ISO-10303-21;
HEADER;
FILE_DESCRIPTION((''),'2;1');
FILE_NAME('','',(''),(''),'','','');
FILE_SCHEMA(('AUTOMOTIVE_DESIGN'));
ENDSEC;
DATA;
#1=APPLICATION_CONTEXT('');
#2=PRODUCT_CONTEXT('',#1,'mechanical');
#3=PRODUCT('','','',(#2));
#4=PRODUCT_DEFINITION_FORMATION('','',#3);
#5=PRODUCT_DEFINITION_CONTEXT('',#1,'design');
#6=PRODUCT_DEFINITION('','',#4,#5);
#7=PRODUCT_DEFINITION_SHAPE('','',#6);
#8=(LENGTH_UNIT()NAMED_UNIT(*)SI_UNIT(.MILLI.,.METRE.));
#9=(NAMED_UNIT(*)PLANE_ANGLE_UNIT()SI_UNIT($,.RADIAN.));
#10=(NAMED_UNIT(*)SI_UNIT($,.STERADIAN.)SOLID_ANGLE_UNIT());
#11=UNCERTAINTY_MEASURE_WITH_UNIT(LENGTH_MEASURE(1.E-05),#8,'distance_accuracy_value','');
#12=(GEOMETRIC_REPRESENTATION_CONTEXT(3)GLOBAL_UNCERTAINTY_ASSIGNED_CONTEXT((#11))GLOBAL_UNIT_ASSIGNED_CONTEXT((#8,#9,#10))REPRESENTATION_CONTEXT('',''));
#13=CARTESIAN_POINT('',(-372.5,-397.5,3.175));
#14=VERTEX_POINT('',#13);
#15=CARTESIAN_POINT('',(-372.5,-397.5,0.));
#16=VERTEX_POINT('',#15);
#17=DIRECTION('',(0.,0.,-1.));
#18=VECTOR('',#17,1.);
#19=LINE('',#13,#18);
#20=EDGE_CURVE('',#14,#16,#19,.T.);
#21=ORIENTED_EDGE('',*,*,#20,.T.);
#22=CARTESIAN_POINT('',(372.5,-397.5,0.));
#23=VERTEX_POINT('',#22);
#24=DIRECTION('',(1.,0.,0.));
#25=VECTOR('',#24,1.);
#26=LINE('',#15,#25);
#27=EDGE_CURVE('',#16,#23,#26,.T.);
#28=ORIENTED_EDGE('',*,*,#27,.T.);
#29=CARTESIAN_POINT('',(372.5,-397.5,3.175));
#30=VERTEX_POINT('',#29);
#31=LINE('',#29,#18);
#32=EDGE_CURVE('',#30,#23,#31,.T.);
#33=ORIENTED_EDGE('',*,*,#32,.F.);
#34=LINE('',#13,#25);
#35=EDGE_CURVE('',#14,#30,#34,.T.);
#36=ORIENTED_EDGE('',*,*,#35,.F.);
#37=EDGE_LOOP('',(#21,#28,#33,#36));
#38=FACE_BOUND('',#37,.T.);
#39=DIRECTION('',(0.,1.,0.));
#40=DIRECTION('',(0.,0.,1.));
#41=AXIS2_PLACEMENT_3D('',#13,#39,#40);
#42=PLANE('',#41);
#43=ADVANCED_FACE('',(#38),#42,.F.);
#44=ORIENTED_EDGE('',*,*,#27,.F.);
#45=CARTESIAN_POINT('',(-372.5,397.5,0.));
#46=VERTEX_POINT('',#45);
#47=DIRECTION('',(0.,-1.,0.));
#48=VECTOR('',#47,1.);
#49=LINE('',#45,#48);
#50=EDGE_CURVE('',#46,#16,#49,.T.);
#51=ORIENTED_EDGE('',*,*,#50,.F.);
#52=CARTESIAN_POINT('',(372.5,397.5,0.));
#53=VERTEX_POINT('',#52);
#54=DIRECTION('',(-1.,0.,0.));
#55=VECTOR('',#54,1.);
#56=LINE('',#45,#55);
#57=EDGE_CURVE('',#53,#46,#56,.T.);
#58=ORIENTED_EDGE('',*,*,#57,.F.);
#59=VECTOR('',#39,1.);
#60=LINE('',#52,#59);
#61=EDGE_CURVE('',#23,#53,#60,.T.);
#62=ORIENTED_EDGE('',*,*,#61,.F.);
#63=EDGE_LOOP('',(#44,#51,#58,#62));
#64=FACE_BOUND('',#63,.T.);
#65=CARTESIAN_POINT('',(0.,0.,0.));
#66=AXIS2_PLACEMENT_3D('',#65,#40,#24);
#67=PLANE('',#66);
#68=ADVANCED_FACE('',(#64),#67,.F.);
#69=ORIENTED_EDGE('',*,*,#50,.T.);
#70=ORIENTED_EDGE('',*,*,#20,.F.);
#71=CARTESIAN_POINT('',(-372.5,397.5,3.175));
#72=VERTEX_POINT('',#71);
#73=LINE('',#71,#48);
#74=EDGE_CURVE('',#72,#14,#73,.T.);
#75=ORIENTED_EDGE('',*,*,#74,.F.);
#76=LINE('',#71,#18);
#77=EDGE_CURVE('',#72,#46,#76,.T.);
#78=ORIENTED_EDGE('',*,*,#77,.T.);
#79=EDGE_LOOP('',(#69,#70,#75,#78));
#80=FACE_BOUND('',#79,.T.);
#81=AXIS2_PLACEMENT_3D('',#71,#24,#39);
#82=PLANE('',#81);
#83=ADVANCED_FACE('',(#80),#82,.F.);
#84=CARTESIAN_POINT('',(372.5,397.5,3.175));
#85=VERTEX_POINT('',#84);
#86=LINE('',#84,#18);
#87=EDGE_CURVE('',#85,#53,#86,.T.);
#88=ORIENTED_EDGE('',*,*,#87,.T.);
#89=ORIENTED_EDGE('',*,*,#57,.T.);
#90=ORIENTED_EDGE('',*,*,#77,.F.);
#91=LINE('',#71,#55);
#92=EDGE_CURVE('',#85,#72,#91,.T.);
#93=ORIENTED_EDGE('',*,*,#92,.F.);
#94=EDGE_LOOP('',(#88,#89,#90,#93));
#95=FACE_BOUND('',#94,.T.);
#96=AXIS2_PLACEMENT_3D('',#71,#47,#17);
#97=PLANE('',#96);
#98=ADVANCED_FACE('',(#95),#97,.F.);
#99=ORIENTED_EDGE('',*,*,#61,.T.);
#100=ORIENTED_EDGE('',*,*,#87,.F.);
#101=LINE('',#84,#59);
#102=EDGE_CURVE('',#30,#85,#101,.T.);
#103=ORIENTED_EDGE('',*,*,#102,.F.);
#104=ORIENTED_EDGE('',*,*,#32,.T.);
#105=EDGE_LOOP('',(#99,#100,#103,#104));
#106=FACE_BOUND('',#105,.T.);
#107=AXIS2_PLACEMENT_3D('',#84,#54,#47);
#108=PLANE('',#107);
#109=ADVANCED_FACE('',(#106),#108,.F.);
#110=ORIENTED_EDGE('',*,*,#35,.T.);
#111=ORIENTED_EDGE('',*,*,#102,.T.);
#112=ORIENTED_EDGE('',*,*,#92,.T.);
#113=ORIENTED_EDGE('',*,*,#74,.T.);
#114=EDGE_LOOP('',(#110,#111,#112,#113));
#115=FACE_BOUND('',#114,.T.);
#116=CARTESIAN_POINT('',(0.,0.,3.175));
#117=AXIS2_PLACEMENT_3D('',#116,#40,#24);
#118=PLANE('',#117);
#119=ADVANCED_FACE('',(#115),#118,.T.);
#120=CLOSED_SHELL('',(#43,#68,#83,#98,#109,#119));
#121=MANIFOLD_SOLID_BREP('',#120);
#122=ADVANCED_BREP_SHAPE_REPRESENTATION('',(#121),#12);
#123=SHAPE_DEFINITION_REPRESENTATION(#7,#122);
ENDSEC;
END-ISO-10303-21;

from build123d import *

# Parameters (mm, degrees)
SKETCH1_W           = 745
SKETCH1_H           = 795
BOSS_EXTRUDE1_DEPTH = 3.175


with BuildPart() as part:
    # Sketch1 → Boss-Extrude1 (new body)
    with BuildSketch(Plane.XY):
        Rectangle(SKETCH1_W, SKETCH1_H)
    extrude(amount=BOSS_EXTRUDE1_DEPTH)


solid = part.part
